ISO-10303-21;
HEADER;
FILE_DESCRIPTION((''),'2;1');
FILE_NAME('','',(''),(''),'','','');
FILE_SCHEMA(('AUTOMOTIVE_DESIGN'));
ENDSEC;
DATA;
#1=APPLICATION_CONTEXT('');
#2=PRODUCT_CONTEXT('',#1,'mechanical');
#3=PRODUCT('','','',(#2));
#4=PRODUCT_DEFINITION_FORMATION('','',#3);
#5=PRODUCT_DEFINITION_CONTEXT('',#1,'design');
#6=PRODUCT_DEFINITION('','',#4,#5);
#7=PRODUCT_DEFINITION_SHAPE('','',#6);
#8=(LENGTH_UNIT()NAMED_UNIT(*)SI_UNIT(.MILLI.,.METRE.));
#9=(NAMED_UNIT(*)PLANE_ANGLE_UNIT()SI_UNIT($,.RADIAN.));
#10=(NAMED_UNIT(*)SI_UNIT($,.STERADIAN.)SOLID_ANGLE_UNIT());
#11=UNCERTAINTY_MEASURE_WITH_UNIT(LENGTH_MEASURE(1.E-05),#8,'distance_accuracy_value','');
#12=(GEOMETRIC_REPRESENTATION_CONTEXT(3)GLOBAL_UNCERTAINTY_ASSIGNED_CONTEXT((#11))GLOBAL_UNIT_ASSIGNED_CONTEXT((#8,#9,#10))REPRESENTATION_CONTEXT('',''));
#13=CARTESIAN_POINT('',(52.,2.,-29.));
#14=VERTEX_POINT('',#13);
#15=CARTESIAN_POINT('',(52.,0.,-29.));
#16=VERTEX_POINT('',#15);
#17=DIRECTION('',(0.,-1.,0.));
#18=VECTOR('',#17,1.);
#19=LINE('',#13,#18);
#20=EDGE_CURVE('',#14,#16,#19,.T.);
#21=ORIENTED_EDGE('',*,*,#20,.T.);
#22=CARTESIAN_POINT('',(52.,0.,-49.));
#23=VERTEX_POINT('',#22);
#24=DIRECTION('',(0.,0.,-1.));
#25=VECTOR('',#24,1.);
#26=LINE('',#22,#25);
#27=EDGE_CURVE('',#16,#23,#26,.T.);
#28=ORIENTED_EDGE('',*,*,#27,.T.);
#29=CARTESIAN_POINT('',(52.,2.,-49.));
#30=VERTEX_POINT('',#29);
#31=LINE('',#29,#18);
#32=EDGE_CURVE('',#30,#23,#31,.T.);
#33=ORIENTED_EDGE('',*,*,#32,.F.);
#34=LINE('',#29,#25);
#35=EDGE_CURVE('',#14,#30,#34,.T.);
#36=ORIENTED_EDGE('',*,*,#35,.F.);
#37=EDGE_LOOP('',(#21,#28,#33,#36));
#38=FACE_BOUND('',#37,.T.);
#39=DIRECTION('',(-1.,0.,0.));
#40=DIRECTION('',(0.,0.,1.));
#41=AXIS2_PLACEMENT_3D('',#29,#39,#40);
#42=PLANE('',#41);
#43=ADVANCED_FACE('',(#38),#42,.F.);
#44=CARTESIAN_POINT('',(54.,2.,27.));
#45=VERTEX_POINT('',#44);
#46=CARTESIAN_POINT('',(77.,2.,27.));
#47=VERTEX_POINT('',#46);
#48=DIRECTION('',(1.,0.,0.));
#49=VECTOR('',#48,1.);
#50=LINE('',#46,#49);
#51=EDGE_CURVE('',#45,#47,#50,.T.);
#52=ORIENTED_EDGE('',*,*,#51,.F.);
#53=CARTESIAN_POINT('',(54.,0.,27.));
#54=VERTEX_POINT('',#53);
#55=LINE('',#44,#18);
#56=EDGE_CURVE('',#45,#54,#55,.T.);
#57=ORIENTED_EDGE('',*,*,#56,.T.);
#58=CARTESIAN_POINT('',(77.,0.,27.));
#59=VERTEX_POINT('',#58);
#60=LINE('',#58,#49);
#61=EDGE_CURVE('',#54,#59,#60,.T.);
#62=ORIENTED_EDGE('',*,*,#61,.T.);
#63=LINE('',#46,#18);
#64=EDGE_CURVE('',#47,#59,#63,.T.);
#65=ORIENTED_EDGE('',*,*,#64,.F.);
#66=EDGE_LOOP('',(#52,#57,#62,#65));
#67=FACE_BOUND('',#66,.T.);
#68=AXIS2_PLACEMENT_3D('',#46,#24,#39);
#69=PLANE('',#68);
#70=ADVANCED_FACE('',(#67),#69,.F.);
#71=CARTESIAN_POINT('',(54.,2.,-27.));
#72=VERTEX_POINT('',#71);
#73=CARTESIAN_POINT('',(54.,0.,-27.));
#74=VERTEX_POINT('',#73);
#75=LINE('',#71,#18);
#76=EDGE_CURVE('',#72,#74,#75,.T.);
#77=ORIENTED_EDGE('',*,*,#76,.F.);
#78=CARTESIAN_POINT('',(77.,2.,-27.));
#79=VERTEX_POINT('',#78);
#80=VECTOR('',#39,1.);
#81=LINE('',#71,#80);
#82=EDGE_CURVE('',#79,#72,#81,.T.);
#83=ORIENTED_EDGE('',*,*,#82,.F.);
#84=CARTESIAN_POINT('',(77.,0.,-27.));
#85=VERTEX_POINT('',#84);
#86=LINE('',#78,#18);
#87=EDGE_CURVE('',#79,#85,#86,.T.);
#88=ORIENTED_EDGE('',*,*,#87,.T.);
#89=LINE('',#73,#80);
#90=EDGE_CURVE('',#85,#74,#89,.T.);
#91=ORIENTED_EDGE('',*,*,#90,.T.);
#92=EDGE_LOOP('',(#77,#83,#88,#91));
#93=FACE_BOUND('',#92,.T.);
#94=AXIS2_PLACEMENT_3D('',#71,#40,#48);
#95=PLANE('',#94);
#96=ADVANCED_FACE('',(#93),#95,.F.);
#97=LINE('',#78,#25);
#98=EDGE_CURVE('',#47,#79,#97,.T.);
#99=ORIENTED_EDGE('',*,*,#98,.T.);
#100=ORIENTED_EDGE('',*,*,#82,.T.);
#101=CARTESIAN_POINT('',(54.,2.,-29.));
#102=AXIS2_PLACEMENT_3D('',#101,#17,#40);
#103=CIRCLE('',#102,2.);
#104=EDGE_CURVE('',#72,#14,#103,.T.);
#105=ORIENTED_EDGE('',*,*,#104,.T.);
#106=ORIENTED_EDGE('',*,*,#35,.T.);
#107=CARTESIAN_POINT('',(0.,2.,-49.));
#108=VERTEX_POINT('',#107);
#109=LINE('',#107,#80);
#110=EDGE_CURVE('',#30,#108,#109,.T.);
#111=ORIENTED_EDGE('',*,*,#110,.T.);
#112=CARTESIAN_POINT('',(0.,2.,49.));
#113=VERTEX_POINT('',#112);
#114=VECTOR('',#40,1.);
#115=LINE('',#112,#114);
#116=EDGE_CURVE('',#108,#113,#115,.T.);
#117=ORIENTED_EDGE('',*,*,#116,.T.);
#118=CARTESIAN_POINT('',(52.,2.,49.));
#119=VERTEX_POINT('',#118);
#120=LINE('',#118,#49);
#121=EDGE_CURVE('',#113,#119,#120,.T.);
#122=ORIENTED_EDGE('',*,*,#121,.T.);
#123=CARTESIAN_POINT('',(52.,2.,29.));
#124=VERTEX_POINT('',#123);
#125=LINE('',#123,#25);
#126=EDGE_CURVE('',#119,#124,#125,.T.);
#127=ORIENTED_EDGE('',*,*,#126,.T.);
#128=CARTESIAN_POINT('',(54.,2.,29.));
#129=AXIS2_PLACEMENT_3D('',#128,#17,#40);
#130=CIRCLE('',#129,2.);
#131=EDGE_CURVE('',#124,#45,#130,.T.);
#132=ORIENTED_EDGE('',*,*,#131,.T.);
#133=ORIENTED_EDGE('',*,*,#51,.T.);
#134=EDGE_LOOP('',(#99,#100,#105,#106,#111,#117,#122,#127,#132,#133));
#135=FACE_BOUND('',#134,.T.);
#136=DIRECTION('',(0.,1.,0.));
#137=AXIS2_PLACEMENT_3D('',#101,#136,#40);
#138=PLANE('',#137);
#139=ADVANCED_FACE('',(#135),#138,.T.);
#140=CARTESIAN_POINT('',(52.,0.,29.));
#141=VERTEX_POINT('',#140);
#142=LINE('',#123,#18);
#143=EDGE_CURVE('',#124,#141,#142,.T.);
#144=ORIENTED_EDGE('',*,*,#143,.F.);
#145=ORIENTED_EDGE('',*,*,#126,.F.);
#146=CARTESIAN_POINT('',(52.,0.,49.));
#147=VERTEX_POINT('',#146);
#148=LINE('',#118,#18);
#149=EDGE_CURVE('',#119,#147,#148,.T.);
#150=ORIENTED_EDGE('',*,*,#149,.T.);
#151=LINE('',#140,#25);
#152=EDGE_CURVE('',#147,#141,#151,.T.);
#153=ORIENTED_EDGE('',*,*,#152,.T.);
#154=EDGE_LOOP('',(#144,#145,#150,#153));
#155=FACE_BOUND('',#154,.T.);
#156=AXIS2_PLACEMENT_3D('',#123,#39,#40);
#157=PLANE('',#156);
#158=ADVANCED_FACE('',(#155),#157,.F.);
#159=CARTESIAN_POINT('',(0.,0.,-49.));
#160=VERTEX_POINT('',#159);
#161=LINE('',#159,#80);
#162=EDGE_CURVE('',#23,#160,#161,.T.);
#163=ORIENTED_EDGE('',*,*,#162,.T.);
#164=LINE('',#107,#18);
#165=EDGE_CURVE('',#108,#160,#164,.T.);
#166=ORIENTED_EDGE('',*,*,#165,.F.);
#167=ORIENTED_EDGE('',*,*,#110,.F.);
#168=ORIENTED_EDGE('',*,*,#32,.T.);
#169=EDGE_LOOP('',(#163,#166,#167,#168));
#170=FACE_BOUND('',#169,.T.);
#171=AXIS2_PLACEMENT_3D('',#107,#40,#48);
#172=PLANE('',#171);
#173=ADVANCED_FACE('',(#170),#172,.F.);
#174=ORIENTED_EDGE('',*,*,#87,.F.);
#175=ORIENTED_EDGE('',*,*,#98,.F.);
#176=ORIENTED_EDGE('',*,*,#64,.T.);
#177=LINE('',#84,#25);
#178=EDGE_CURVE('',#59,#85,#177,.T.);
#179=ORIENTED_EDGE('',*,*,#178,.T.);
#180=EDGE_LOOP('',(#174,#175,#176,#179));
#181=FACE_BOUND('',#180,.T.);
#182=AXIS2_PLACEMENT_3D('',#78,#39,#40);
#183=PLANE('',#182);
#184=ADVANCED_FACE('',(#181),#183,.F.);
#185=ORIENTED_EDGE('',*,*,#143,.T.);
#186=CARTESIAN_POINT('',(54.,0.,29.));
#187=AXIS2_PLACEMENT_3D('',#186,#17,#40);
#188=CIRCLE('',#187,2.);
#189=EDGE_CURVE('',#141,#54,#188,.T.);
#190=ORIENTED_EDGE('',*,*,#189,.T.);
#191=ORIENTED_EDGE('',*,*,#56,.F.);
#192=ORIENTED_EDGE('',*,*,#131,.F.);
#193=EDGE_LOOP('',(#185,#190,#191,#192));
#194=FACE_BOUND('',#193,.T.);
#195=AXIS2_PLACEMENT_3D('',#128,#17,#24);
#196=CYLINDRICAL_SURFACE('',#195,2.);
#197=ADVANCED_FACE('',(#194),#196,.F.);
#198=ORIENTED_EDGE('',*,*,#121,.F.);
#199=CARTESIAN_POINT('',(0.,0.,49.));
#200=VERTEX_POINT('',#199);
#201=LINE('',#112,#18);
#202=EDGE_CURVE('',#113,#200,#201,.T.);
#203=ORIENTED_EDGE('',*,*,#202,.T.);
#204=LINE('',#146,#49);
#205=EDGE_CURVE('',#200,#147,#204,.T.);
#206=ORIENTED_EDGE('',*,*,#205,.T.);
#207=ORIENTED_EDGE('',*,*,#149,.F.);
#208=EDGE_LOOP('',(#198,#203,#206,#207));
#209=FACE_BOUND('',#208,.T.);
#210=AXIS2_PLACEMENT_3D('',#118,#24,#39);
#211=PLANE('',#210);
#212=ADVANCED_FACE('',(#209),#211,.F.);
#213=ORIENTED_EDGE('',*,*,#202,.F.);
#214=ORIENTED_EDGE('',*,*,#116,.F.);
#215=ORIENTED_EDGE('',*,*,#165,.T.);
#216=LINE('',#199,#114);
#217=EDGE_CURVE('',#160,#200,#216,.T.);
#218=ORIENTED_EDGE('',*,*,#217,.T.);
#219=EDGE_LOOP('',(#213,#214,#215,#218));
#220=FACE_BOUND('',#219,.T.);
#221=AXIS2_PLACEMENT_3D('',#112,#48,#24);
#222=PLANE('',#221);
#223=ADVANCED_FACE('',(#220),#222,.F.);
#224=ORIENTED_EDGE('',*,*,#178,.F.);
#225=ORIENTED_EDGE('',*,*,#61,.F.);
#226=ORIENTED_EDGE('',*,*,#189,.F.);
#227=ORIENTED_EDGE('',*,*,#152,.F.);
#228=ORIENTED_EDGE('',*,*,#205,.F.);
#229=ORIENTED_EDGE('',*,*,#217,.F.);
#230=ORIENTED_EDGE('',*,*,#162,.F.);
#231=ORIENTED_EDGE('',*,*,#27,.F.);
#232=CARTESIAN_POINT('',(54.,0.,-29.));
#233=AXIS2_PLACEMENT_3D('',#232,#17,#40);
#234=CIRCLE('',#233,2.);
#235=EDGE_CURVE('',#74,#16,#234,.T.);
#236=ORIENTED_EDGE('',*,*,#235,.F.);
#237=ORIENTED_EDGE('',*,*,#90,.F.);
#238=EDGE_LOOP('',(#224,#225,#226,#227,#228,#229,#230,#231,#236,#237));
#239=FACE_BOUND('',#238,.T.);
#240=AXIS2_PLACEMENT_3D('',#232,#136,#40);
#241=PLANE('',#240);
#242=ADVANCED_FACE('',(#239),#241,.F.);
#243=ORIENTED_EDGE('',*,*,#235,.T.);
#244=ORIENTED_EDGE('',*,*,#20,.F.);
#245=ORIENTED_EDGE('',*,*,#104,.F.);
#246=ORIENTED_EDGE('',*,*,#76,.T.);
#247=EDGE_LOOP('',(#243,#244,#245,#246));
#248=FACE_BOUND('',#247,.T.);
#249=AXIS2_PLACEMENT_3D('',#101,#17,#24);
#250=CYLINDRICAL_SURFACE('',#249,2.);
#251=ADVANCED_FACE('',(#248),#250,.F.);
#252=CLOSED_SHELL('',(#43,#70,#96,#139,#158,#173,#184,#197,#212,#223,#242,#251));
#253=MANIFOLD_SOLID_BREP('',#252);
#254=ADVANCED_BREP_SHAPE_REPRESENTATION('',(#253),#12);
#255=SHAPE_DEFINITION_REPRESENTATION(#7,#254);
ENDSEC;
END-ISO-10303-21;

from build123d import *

# Parameters (mm, degrees)
SALIENTE_EXTRUIR1_DEPTH = 2


with BuildPart() as part:
    # Croquis1 → Saliente-Extruir1 (new body)
    with BuildSketch(Plane(origin=(0, 0, 0), x_dir=(1, 0, 0), z_dir=(0, 1, 0))):
        with BuildLine():
            Line((0, -49), (0, 49))
            Line((0, 49), (52, 49))
            Line((52, 49), (52, 29))
            ThreePointArc((52, 29), (52.585786438, 27.585786438), (54, 27))
            Line((54, 27), (77, 27))
            Line((77, 27), (77, -27))
            Line((77, -27), (54, -27))
            ThreePointArc((54, -27), (52.585786438, -27.585786438), (52, -29))
            Line((52, -29), (52, -49))
            Line((52, -49), (0, -49))
        make_face()
    extrude(amount=SALIENTE_EXTRUIR1_DEPTH)


solid = part.part
